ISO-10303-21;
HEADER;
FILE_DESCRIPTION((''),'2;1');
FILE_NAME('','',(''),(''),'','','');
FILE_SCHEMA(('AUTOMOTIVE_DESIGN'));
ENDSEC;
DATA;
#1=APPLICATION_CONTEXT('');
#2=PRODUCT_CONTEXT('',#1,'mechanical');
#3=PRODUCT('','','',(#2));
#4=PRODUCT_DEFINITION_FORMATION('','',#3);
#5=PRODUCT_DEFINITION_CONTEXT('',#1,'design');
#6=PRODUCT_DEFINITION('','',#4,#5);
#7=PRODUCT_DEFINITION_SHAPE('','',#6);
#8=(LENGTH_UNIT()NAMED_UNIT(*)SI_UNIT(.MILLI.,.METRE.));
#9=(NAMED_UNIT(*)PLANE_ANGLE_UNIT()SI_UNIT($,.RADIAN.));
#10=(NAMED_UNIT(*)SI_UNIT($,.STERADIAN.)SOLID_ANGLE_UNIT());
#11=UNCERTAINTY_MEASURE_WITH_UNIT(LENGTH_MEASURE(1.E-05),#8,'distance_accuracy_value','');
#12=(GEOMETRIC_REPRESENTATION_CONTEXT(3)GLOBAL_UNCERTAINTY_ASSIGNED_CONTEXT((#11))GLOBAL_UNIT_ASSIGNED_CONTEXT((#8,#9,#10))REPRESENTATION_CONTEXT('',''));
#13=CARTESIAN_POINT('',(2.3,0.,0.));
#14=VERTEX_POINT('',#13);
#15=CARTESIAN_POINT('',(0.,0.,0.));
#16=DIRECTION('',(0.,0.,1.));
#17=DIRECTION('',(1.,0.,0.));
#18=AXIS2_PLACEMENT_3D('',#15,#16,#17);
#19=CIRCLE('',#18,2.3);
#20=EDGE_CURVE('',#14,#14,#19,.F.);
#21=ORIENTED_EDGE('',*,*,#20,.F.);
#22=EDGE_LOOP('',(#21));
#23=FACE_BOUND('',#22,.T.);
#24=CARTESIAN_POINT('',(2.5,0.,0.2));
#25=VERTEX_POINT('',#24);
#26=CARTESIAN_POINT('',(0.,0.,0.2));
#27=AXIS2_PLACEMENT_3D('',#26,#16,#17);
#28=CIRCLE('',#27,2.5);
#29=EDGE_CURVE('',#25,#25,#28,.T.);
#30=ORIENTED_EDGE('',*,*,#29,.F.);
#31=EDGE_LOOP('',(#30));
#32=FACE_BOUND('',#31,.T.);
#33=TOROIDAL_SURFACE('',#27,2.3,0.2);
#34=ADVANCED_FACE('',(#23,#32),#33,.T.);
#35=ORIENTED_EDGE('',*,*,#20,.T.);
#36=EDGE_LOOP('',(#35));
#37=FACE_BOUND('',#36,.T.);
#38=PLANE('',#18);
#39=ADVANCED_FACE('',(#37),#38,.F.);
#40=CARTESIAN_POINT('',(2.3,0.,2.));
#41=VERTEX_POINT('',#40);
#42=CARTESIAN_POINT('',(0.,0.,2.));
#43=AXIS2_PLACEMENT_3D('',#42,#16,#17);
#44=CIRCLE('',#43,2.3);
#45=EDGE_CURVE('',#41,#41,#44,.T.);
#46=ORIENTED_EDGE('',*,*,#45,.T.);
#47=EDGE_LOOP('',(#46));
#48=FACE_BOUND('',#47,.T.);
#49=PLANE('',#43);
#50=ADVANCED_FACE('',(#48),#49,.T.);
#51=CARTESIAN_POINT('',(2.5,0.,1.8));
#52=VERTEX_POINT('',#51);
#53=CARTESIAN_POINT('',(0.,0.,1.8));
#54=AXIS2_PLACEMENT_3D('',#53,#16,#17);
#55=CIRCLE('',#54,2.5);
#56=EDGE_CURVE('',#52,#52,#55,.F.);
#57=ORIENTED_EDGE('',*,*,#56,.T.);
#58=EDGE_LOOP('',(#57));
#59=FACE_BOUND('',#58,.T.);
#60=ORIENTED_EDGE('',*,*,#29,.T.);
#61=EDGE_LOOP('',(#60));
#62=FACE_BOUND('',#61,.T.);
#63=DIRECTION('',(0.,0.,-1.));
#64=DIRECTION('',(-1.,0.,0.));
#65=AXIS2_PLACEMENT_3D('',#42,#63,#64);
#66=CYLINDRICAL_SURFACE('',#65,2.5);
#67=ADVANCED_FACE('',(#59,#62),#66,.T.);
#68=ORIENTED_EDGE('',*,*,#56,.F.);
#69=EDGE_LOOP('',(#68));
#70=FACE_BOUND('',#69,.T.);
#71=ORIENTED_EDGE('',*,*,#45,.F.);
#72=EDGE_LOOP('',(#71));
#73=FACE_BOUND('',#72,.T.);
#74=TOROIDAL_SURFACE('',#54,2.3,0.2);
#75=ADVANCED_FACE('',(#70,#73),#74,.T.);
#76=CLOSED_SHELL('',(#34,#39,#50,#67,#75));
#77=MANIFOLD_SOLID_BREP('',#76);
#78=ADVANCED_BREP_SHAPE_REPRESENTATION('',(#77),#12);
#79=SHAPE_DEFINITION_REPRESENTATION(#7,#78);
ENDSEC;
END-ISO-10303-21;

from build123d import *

# Parameters (mm, degrees)
SKETCH1_R           = 2.5
BOSS_EXTRUDE1_DEPTH = 2
FILLET1_R           = 0.2


with BuildPart() as part:
    # Sketch1 → Boss-Extrude1 (new body)
    with BuildSketch(Plane.XY):
        Circle(SKETCH1_R)
    extrude(amount=BOSS_EXTRUDE1_DEPTH)

    # Fillet1
    fillet1_edges = [part.edges().sort_by_distance(p)[0] for p in [
        (-2.5, 0, 0),
        (-2.5, 0, 2),
    ]]
    fillet(fillet1_edges, radius=FILLET1_R)


solid = part.part
